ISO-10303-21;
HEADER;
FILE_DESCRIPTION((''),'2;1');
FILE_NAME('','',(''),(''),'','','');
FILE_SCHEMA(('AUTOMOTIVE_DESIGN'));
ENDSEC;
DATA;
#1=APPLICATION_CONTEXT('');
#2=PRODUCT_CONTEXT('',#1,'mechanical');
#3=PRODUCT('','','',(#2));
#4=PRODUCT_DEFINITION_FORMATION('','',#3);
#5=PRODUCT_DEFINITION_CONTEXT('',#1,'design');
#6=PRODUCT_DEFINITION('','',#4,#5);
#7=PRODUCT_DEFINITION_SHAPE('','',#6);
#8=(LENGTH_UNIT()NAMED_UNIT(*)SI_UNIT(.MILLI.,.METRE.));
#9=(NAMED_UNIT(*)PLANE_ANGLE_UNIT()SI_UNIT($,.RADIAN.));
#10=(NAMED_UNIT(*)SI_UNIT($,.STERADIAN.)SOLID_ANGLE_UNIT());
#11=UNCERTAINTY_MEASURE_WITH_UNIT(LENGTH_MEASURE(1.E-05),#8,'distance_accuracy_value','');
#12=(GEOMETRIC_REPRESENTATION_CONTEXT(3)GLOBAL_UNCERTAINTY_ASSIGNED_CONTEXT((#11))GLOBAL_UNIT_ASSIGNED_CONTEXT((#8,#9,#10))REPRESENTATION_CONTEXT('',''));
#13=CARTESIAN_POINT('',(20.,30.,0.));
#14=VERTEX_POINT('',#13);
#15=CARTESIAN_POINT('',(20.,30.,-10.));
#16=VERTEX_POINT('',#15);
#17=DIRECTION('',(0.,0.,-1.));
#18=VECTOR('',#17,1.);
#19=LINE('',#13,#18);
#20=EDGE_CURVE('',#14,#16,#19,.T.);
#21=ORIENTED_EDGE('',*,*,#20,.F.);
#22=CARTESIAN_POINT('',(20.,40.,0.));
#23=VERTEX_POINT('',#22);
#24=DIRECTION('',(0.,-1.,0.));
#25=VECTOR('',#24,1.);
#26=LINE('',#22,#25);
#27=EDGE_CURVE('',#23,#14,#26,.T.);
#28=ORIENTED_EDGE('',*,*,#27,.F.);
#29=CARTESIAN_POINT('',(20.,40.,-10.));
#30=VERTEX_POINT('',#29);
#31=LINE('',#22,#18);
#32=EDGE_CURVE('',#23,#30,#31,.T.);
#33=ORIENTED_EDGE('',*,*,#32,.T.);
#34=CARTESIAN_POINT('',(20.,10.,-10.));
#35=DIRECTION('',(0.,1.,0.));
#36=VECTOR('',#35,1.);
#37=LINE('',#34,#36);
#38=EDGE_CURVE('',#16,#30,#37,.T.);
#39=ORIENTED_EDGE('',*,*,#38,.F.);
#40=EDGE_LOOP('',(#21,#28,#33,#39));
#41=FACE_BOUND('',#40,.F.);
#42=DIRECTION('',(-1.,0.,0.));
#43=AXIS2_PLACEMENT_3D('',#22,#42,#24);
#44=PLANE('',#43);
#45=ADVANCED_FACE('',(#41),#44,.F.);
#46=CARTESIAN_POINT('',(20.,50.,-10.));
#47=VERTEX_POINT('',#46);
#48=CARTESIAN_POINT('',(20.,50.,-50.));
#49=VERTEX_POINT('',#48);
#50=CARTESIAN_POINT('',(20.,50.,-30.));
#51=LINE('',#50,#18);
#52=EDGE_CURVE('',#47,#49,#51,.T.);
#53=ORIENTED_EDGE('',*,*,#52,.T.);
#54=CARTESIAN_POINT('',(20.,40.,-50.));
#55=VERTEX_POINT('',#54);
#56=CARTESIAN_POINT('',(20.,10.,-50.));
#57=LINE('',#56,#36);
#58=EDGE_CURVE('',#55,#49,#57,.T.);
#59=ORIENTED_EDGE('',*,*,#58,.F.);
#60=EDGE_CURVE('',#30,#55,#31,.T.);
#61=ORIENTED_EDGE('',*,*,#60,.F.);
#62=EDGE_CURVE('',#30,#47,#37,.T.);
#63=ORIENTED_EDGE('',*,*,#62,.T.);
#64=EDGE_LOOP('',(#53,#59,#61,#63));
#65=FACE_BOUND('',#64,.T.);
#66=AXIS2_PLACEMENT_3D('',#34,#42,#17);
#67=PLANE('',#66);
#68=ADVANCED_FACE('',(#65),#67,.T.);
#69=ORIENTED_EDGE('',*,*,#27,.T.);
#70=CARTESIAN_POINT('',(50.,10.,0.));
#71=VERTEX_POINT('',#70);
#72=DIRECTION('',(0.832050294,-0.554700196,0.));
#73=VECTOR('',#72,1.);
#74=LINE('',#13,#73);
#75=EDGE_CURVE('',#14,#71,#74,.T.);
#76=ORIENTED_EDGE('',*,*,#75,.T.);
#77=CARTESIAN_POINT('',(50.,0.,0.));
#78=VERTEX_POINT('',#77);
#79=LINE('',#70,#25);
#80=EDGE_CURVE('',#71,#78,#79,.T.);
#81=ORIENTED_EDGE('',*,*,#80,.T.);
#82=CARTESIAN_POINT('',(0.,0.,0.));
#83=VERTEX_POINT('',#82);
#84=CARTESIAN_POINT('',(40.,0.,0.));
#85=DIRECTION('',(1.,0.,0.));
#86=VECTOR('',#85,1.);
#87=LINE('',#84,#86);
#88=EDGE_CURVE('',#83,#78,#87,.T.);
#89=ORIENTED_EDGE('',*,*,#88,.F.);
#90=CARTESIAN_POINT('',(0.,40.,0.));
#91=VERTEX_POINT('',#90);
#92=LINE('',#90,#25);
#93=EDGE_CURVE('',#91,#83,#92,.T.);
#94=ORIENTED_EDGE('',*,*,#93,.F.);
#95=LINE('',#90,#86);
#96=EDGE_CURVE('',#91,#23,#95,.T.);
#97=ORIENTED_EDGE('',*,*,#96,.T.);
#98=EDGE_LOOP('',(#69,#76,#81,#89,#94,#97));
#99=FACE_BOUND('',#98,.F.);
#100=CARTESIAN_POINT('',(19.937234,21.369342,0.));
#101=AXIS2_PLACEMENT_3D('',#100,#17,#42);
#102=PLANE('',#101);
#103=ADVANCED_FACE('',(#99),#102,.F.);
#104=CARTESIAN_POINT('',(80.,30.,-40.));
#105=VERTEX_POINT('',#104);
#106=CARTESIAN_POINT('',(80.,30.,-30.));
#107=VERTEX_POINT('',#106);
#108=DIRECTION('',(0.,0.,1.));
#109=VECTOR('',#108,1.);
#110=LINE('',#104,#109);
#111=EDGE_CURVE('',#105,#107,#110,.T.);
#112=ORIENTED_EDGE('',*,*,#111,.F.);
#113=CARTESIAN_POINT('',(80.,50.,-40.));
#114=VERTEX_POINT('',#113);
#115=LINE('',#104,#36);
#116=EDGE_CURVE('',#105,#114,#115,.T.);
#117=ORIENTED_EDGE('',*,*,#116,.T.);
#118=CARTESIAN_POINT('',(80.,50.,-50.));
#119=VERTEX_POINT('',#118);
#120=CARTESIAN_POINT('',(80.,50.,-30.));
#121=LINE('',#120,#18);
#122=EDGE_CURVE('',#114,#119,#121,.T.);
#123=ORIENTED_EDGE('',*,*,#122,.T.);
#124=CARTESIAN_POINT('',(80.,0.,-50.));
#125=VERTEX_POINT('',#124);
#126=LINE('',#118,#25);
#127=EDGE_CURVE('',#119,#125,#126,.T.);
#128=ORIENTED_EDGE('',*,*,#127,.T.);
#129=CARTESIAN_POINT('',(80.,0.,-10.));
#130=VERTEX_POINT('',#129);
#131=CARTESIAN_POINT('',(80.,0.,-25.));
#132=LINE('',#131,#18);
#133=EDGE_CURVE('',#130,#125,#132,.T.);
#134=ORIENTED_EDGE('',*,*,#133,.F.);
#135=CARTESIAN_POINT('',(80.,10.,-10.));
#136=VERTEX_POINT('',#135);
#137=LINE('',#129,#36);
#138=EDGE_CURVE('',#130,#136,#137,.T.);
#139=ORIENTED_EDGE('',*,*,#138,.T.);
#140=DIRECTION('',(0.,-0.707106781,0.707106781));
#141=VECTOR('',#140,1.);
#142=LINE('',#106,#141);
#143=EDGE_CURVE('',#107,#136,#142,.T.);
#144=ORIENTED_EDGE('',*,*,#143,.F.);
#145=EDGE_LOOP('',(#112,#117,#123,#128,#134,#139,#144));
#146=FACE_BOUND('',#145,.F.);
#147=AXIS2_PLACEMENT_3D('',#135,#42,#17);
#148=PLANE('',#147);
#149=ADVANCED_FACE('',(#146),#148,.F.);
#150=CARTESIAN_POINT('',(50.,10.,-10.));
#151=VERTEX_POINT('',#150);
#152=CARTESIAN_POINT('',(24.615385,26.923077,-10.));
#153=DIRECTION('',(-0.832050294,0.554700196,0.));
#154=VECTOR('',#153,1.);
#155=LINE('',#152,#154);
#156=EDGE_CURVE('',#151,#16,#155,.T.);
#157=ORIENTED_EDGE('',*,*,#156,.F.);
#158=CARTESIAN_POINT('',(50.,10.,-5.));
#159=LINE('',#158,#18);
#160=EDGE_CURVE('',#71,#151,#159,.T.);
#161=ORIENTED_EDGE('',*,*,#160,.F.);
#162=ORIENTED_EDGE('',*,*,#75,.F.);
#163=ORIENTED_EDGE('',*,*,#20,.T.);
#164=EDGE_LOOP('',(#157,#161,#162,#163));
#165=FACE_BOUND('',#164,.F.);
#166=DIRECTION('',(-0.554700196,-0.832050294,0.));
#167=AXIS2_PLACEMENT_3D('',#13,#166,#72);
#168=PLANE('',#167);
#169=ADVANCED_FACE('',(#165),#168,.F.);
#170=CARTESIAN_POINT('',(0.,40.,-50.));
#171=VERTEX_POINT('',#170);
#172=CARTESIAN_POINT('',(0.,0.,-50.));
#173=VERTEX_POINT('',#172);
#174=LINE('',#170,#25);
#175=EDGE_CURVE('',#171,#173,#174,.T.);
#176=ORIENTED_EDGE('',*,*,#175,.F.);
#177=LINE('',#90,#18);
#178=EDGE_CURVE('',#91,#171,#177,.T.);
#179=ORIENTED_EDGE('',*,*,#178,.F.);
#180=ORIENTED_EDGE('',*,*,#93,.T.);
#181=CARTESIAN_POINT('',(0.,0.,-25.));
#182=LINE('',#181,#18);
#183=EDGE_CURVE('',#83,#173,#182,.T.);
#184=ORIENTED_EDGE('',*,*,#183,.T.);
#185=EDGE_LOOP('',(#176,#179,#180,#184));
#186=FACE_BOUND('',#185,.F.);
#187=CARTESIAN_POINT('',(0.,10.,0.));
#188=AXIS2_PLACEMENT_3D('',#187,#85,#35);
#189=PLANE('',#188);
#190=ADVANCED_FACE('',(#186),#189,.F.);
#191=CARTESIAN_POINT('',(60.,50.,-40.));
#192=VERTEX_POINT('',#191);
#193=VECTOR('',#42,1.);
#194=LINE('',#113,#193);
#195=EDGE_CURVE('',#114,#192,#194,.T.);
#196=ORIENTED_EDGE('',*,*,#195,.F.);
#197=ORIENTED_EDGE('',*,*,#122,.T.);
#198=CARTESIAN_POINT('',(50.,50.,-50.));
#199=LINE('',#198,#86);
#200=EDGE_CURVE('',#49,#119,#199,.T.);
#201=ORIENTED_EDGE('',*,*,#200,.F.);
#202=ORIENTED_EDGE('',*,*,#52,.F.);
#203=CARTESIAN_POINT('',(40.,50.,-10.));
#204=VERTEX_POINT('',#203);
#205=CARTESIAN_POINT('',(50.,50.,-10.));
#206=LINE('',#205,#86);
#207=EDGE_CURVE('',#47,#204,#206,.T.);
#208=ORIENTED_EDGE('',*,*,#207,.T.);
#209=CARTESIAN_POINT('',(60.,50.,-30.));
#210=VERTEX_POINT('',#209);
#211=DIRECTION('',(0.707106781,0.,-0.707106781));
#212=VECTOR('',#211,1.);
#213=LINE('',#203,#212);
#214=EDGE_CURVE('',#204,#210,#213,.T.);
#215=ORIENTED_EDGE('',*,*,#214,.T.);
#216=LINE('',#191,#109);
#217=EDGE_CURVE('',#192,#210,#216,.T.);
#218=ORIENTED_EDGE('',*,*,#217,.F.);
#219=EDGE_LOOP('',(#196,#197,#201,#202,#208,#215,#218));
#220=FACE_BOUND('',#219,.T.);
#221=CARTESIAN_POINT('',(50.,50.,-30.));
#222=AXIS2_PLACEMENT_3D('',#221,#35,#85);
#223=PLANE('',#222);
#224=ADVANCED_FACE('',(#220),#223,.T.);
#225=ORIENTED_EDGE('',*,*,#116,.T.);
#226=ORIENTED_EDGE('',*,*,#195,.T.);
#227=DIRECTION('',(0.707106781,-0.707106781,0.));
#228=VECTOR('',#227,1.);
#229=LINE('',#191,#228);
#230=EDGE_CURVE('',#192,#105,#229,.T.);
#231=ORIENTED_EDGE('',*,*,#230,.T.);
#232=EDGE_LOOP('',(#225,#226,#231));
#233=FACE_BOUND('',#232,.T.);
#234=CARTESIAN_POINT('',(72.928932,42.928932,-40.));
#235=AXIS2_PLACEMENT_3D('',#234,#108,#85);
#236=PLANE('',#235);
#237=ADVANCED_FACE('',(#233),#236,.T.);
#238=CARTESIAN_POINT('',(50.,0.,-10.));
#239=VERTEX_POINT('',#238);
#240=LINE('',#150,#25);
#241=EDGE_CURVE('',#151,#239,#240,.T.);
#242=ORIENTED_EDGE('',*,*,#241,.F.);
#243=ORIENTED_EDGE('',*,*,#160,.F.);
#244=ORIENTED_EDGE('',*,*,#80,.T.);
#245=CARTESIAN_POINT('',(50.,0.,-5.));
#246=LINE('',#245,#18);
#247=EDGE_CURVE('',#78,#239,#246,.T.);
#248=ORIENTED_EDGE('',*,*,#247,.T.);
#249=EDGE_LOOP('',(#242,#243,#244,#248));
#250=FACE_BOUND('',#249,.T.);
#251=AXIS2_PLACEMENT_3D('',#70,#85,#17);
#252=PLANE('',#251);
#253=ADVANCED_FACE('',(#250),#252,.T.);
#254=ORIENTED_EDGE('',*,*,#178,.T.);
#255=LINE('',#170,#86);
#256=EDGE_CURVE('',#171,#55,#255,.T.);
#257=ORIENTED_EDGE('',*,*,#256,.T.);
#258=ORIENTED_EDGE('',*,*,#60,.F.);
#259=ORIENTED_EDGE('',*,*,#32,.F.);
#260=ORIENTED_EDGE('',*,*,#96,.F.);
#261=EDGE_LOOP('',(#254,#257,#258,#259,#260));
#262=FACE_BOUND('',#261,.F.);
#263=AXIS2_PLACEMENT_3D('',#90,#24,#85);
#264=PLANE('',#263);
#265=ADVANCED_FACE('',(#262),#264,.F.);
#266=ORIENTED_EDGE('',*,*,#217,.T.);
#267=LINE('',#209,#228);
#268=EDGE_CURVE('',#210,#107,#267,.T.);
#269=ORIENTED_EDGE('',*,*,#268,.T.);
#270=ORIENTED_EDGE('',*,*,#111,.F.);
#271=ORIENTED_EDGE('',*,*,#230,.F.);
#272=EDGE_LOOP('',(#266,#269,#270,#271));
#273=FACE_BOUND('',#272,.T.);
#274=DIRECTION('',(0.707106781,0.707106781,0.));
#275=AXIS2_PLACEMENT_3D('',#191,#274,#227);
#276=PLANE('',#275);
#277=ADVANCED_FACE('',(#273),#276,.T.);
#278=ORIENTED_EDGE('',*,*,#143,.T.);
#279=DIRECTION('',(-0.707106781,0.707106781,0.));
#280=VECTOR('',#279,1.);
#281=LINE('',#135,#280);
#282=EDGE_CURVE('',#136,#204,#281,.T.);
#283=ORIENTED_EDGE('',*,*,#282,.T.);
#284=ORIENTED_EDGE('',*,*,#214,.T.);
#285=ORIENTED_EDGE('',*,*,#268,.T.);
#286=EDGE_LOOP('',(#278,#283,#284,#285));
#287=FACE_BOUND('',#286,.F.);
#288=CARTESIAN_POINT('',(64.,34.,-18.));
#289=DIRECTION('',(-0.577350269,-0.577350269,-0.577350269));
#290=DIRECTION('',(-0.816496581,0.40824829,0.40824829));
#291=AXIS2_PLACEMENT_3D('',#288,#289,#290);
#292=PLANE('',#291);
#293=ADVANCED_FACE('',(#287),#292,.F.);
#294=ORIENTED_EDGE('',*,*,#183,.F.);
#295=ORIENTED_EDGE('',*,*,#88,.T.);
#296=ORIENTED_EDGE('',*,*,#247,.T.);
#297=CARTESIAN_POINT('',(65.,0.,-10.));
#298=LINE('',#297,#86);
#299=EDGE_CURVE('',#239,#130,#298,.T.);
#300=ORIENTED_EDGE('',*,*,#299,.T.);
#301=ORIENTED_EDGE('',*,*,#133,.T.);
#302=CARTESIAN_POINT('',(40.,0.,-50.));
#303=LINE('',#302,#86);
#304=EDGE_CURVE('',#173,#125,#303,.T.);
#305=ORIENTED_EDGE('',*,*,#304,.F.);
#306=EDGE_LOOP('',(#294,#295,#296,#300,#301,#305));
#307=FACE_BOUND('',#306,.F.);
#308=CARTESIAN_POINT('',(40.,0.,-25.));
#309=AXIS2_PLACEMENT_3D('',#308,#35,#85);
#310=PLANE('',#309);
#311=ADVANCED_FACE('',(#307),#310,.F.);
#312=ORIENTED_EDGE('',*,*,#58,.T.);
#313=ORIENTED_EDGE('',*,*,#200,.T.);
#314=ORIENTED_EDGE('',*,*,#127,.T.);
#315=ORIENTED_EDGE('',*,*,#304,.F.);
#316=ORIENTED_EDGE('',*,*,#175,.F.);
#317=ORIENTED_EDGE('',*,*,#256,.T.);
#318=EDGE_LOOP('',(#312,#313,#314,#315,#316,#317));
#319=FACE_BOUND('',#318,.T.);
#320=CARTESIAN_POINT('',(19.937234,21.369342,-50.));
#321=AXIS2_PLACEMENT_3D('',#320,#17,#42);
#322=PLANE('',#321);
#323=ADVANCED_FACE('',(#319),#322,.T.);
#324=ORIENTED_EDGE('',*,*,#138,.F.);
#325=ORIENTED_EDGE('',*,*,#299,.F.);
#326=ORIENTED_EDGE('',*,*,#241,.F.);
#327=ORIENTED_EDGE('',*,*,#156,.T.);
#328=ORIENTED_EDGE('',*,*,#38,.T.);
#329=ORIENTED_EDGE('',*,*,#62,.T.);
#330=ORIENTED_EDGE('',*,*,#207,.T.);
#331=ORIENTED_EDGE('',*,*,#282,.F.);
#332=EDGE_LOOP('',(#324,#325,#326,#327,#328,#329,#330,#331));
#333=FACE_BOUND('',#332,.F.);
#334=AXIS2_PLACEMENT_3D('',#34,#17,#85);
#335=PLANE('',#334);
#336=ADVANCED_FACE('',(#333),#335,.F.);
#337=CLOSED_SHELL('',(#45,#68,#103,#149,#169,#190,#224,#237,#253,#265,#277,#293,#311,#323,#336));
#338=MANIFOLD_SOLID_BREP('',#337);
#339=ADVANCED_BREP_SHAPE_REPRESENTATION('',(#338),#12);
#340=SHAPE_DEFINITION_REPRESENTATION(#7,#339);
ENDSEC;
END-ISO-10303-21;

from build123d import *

# Parameters (mm, degrees)
SKETCH2_W           = 80
SKETCH2_H           = 50
BOSS_EXTRUDE1_DEPTH = 10
SKETCH3_W           = 30
SKETCH3_H           = 10
CUT_EXTRUDE1_DEPTH  = 10
SKETCH4_W           = 60
SKETCH4_H           = 40
BOSS_EXTRUDE2_DEPTH = 40
BOSS_EXTRUDE3_DEPTH = 50
CUT_EXTRUDE2_DEPTH  = 50
CUT_EXTRUDE3_DEPTH  = 50


with BuildPart() as part:
    # Sketch2 → Boss-Extrude1 (new body)
    with BuildSketch(Plane(origin=(0, 0, 0), x_dir=(1, 0, 0), z_dir=(0, 1, 0))):
        with Locations((40, 25)):
            Rectangle(SKETCH2_W, SKETCH2_H)
    extrude(amount=BOSS_EXTRUDE1_DEPTH)

    # Sketch3 → Cut-Extrude1 (cut)
    with BuildSketch(Plane(origin=(0, 10, 0), x_dir=(1, 0, 0), z_dir=(0, 1, 0))):
        with Locations((65, 5)):
            Rectangle(SKETCH3_W, SKETCH3_H)
    extrude(amount=-CUT_EXTRUDE1_DEPTH, mode=Mode.SUBTRACT)

    # Sketch4 → Boss-Extrude2 (add)
    with BuildSketch(Plane(origin=(0, 10, 0), x_dir=(1, 0, 0), z_dir=(0, 1, 0))):
        with Locations((50, 30)):
            Rectangle(SKETCH4_W, SKETCH4_H)
    extrude(amount=BOSS_EXTRUDE2_DEPTH)

    # Sketch5 → Boss-Extrude3 (add)
    with BuildSketch(Plane.XY):
        Polygon((20, 30), (50, 10), (0, 10), (0, 40), (20, 40), align=None)
    extrude(amount=-BOSS_EXTRUDE3_DEPTH)

    # Sketch6 → Cut-Extrude2 (cut)
    with BuildSketch(Plane.XY.offset(-40)):
        Polygon((60, 50), (80, 30), (80, 50), align=None)
    extrude(amount=CUT_EXTRUDE2_DEPTH, mode=Mode.SUBTRACT)

    # Sketch9 → Cut-Extrude3 (cut)
    with BuildSketch(Plane(origin=(26.666666667, 26.666666667, 26.666666667), x_dir=(-0.816496581, 0.40824829, 0.40824829), z_dir=(-0.577350269, -0.577350269, -0.577350269))):
        Polygon((-16.329931619, 42.426406871), (-40.824829046, 56.568542495), (-65.319726474, 42.426406871), (-65.319726474, 14.142135624), align=None)
    extrude(amount=-CUT_EXTRUDE3_DEPTH, mode=Mode.SUBTRACT)


solid = part.part
